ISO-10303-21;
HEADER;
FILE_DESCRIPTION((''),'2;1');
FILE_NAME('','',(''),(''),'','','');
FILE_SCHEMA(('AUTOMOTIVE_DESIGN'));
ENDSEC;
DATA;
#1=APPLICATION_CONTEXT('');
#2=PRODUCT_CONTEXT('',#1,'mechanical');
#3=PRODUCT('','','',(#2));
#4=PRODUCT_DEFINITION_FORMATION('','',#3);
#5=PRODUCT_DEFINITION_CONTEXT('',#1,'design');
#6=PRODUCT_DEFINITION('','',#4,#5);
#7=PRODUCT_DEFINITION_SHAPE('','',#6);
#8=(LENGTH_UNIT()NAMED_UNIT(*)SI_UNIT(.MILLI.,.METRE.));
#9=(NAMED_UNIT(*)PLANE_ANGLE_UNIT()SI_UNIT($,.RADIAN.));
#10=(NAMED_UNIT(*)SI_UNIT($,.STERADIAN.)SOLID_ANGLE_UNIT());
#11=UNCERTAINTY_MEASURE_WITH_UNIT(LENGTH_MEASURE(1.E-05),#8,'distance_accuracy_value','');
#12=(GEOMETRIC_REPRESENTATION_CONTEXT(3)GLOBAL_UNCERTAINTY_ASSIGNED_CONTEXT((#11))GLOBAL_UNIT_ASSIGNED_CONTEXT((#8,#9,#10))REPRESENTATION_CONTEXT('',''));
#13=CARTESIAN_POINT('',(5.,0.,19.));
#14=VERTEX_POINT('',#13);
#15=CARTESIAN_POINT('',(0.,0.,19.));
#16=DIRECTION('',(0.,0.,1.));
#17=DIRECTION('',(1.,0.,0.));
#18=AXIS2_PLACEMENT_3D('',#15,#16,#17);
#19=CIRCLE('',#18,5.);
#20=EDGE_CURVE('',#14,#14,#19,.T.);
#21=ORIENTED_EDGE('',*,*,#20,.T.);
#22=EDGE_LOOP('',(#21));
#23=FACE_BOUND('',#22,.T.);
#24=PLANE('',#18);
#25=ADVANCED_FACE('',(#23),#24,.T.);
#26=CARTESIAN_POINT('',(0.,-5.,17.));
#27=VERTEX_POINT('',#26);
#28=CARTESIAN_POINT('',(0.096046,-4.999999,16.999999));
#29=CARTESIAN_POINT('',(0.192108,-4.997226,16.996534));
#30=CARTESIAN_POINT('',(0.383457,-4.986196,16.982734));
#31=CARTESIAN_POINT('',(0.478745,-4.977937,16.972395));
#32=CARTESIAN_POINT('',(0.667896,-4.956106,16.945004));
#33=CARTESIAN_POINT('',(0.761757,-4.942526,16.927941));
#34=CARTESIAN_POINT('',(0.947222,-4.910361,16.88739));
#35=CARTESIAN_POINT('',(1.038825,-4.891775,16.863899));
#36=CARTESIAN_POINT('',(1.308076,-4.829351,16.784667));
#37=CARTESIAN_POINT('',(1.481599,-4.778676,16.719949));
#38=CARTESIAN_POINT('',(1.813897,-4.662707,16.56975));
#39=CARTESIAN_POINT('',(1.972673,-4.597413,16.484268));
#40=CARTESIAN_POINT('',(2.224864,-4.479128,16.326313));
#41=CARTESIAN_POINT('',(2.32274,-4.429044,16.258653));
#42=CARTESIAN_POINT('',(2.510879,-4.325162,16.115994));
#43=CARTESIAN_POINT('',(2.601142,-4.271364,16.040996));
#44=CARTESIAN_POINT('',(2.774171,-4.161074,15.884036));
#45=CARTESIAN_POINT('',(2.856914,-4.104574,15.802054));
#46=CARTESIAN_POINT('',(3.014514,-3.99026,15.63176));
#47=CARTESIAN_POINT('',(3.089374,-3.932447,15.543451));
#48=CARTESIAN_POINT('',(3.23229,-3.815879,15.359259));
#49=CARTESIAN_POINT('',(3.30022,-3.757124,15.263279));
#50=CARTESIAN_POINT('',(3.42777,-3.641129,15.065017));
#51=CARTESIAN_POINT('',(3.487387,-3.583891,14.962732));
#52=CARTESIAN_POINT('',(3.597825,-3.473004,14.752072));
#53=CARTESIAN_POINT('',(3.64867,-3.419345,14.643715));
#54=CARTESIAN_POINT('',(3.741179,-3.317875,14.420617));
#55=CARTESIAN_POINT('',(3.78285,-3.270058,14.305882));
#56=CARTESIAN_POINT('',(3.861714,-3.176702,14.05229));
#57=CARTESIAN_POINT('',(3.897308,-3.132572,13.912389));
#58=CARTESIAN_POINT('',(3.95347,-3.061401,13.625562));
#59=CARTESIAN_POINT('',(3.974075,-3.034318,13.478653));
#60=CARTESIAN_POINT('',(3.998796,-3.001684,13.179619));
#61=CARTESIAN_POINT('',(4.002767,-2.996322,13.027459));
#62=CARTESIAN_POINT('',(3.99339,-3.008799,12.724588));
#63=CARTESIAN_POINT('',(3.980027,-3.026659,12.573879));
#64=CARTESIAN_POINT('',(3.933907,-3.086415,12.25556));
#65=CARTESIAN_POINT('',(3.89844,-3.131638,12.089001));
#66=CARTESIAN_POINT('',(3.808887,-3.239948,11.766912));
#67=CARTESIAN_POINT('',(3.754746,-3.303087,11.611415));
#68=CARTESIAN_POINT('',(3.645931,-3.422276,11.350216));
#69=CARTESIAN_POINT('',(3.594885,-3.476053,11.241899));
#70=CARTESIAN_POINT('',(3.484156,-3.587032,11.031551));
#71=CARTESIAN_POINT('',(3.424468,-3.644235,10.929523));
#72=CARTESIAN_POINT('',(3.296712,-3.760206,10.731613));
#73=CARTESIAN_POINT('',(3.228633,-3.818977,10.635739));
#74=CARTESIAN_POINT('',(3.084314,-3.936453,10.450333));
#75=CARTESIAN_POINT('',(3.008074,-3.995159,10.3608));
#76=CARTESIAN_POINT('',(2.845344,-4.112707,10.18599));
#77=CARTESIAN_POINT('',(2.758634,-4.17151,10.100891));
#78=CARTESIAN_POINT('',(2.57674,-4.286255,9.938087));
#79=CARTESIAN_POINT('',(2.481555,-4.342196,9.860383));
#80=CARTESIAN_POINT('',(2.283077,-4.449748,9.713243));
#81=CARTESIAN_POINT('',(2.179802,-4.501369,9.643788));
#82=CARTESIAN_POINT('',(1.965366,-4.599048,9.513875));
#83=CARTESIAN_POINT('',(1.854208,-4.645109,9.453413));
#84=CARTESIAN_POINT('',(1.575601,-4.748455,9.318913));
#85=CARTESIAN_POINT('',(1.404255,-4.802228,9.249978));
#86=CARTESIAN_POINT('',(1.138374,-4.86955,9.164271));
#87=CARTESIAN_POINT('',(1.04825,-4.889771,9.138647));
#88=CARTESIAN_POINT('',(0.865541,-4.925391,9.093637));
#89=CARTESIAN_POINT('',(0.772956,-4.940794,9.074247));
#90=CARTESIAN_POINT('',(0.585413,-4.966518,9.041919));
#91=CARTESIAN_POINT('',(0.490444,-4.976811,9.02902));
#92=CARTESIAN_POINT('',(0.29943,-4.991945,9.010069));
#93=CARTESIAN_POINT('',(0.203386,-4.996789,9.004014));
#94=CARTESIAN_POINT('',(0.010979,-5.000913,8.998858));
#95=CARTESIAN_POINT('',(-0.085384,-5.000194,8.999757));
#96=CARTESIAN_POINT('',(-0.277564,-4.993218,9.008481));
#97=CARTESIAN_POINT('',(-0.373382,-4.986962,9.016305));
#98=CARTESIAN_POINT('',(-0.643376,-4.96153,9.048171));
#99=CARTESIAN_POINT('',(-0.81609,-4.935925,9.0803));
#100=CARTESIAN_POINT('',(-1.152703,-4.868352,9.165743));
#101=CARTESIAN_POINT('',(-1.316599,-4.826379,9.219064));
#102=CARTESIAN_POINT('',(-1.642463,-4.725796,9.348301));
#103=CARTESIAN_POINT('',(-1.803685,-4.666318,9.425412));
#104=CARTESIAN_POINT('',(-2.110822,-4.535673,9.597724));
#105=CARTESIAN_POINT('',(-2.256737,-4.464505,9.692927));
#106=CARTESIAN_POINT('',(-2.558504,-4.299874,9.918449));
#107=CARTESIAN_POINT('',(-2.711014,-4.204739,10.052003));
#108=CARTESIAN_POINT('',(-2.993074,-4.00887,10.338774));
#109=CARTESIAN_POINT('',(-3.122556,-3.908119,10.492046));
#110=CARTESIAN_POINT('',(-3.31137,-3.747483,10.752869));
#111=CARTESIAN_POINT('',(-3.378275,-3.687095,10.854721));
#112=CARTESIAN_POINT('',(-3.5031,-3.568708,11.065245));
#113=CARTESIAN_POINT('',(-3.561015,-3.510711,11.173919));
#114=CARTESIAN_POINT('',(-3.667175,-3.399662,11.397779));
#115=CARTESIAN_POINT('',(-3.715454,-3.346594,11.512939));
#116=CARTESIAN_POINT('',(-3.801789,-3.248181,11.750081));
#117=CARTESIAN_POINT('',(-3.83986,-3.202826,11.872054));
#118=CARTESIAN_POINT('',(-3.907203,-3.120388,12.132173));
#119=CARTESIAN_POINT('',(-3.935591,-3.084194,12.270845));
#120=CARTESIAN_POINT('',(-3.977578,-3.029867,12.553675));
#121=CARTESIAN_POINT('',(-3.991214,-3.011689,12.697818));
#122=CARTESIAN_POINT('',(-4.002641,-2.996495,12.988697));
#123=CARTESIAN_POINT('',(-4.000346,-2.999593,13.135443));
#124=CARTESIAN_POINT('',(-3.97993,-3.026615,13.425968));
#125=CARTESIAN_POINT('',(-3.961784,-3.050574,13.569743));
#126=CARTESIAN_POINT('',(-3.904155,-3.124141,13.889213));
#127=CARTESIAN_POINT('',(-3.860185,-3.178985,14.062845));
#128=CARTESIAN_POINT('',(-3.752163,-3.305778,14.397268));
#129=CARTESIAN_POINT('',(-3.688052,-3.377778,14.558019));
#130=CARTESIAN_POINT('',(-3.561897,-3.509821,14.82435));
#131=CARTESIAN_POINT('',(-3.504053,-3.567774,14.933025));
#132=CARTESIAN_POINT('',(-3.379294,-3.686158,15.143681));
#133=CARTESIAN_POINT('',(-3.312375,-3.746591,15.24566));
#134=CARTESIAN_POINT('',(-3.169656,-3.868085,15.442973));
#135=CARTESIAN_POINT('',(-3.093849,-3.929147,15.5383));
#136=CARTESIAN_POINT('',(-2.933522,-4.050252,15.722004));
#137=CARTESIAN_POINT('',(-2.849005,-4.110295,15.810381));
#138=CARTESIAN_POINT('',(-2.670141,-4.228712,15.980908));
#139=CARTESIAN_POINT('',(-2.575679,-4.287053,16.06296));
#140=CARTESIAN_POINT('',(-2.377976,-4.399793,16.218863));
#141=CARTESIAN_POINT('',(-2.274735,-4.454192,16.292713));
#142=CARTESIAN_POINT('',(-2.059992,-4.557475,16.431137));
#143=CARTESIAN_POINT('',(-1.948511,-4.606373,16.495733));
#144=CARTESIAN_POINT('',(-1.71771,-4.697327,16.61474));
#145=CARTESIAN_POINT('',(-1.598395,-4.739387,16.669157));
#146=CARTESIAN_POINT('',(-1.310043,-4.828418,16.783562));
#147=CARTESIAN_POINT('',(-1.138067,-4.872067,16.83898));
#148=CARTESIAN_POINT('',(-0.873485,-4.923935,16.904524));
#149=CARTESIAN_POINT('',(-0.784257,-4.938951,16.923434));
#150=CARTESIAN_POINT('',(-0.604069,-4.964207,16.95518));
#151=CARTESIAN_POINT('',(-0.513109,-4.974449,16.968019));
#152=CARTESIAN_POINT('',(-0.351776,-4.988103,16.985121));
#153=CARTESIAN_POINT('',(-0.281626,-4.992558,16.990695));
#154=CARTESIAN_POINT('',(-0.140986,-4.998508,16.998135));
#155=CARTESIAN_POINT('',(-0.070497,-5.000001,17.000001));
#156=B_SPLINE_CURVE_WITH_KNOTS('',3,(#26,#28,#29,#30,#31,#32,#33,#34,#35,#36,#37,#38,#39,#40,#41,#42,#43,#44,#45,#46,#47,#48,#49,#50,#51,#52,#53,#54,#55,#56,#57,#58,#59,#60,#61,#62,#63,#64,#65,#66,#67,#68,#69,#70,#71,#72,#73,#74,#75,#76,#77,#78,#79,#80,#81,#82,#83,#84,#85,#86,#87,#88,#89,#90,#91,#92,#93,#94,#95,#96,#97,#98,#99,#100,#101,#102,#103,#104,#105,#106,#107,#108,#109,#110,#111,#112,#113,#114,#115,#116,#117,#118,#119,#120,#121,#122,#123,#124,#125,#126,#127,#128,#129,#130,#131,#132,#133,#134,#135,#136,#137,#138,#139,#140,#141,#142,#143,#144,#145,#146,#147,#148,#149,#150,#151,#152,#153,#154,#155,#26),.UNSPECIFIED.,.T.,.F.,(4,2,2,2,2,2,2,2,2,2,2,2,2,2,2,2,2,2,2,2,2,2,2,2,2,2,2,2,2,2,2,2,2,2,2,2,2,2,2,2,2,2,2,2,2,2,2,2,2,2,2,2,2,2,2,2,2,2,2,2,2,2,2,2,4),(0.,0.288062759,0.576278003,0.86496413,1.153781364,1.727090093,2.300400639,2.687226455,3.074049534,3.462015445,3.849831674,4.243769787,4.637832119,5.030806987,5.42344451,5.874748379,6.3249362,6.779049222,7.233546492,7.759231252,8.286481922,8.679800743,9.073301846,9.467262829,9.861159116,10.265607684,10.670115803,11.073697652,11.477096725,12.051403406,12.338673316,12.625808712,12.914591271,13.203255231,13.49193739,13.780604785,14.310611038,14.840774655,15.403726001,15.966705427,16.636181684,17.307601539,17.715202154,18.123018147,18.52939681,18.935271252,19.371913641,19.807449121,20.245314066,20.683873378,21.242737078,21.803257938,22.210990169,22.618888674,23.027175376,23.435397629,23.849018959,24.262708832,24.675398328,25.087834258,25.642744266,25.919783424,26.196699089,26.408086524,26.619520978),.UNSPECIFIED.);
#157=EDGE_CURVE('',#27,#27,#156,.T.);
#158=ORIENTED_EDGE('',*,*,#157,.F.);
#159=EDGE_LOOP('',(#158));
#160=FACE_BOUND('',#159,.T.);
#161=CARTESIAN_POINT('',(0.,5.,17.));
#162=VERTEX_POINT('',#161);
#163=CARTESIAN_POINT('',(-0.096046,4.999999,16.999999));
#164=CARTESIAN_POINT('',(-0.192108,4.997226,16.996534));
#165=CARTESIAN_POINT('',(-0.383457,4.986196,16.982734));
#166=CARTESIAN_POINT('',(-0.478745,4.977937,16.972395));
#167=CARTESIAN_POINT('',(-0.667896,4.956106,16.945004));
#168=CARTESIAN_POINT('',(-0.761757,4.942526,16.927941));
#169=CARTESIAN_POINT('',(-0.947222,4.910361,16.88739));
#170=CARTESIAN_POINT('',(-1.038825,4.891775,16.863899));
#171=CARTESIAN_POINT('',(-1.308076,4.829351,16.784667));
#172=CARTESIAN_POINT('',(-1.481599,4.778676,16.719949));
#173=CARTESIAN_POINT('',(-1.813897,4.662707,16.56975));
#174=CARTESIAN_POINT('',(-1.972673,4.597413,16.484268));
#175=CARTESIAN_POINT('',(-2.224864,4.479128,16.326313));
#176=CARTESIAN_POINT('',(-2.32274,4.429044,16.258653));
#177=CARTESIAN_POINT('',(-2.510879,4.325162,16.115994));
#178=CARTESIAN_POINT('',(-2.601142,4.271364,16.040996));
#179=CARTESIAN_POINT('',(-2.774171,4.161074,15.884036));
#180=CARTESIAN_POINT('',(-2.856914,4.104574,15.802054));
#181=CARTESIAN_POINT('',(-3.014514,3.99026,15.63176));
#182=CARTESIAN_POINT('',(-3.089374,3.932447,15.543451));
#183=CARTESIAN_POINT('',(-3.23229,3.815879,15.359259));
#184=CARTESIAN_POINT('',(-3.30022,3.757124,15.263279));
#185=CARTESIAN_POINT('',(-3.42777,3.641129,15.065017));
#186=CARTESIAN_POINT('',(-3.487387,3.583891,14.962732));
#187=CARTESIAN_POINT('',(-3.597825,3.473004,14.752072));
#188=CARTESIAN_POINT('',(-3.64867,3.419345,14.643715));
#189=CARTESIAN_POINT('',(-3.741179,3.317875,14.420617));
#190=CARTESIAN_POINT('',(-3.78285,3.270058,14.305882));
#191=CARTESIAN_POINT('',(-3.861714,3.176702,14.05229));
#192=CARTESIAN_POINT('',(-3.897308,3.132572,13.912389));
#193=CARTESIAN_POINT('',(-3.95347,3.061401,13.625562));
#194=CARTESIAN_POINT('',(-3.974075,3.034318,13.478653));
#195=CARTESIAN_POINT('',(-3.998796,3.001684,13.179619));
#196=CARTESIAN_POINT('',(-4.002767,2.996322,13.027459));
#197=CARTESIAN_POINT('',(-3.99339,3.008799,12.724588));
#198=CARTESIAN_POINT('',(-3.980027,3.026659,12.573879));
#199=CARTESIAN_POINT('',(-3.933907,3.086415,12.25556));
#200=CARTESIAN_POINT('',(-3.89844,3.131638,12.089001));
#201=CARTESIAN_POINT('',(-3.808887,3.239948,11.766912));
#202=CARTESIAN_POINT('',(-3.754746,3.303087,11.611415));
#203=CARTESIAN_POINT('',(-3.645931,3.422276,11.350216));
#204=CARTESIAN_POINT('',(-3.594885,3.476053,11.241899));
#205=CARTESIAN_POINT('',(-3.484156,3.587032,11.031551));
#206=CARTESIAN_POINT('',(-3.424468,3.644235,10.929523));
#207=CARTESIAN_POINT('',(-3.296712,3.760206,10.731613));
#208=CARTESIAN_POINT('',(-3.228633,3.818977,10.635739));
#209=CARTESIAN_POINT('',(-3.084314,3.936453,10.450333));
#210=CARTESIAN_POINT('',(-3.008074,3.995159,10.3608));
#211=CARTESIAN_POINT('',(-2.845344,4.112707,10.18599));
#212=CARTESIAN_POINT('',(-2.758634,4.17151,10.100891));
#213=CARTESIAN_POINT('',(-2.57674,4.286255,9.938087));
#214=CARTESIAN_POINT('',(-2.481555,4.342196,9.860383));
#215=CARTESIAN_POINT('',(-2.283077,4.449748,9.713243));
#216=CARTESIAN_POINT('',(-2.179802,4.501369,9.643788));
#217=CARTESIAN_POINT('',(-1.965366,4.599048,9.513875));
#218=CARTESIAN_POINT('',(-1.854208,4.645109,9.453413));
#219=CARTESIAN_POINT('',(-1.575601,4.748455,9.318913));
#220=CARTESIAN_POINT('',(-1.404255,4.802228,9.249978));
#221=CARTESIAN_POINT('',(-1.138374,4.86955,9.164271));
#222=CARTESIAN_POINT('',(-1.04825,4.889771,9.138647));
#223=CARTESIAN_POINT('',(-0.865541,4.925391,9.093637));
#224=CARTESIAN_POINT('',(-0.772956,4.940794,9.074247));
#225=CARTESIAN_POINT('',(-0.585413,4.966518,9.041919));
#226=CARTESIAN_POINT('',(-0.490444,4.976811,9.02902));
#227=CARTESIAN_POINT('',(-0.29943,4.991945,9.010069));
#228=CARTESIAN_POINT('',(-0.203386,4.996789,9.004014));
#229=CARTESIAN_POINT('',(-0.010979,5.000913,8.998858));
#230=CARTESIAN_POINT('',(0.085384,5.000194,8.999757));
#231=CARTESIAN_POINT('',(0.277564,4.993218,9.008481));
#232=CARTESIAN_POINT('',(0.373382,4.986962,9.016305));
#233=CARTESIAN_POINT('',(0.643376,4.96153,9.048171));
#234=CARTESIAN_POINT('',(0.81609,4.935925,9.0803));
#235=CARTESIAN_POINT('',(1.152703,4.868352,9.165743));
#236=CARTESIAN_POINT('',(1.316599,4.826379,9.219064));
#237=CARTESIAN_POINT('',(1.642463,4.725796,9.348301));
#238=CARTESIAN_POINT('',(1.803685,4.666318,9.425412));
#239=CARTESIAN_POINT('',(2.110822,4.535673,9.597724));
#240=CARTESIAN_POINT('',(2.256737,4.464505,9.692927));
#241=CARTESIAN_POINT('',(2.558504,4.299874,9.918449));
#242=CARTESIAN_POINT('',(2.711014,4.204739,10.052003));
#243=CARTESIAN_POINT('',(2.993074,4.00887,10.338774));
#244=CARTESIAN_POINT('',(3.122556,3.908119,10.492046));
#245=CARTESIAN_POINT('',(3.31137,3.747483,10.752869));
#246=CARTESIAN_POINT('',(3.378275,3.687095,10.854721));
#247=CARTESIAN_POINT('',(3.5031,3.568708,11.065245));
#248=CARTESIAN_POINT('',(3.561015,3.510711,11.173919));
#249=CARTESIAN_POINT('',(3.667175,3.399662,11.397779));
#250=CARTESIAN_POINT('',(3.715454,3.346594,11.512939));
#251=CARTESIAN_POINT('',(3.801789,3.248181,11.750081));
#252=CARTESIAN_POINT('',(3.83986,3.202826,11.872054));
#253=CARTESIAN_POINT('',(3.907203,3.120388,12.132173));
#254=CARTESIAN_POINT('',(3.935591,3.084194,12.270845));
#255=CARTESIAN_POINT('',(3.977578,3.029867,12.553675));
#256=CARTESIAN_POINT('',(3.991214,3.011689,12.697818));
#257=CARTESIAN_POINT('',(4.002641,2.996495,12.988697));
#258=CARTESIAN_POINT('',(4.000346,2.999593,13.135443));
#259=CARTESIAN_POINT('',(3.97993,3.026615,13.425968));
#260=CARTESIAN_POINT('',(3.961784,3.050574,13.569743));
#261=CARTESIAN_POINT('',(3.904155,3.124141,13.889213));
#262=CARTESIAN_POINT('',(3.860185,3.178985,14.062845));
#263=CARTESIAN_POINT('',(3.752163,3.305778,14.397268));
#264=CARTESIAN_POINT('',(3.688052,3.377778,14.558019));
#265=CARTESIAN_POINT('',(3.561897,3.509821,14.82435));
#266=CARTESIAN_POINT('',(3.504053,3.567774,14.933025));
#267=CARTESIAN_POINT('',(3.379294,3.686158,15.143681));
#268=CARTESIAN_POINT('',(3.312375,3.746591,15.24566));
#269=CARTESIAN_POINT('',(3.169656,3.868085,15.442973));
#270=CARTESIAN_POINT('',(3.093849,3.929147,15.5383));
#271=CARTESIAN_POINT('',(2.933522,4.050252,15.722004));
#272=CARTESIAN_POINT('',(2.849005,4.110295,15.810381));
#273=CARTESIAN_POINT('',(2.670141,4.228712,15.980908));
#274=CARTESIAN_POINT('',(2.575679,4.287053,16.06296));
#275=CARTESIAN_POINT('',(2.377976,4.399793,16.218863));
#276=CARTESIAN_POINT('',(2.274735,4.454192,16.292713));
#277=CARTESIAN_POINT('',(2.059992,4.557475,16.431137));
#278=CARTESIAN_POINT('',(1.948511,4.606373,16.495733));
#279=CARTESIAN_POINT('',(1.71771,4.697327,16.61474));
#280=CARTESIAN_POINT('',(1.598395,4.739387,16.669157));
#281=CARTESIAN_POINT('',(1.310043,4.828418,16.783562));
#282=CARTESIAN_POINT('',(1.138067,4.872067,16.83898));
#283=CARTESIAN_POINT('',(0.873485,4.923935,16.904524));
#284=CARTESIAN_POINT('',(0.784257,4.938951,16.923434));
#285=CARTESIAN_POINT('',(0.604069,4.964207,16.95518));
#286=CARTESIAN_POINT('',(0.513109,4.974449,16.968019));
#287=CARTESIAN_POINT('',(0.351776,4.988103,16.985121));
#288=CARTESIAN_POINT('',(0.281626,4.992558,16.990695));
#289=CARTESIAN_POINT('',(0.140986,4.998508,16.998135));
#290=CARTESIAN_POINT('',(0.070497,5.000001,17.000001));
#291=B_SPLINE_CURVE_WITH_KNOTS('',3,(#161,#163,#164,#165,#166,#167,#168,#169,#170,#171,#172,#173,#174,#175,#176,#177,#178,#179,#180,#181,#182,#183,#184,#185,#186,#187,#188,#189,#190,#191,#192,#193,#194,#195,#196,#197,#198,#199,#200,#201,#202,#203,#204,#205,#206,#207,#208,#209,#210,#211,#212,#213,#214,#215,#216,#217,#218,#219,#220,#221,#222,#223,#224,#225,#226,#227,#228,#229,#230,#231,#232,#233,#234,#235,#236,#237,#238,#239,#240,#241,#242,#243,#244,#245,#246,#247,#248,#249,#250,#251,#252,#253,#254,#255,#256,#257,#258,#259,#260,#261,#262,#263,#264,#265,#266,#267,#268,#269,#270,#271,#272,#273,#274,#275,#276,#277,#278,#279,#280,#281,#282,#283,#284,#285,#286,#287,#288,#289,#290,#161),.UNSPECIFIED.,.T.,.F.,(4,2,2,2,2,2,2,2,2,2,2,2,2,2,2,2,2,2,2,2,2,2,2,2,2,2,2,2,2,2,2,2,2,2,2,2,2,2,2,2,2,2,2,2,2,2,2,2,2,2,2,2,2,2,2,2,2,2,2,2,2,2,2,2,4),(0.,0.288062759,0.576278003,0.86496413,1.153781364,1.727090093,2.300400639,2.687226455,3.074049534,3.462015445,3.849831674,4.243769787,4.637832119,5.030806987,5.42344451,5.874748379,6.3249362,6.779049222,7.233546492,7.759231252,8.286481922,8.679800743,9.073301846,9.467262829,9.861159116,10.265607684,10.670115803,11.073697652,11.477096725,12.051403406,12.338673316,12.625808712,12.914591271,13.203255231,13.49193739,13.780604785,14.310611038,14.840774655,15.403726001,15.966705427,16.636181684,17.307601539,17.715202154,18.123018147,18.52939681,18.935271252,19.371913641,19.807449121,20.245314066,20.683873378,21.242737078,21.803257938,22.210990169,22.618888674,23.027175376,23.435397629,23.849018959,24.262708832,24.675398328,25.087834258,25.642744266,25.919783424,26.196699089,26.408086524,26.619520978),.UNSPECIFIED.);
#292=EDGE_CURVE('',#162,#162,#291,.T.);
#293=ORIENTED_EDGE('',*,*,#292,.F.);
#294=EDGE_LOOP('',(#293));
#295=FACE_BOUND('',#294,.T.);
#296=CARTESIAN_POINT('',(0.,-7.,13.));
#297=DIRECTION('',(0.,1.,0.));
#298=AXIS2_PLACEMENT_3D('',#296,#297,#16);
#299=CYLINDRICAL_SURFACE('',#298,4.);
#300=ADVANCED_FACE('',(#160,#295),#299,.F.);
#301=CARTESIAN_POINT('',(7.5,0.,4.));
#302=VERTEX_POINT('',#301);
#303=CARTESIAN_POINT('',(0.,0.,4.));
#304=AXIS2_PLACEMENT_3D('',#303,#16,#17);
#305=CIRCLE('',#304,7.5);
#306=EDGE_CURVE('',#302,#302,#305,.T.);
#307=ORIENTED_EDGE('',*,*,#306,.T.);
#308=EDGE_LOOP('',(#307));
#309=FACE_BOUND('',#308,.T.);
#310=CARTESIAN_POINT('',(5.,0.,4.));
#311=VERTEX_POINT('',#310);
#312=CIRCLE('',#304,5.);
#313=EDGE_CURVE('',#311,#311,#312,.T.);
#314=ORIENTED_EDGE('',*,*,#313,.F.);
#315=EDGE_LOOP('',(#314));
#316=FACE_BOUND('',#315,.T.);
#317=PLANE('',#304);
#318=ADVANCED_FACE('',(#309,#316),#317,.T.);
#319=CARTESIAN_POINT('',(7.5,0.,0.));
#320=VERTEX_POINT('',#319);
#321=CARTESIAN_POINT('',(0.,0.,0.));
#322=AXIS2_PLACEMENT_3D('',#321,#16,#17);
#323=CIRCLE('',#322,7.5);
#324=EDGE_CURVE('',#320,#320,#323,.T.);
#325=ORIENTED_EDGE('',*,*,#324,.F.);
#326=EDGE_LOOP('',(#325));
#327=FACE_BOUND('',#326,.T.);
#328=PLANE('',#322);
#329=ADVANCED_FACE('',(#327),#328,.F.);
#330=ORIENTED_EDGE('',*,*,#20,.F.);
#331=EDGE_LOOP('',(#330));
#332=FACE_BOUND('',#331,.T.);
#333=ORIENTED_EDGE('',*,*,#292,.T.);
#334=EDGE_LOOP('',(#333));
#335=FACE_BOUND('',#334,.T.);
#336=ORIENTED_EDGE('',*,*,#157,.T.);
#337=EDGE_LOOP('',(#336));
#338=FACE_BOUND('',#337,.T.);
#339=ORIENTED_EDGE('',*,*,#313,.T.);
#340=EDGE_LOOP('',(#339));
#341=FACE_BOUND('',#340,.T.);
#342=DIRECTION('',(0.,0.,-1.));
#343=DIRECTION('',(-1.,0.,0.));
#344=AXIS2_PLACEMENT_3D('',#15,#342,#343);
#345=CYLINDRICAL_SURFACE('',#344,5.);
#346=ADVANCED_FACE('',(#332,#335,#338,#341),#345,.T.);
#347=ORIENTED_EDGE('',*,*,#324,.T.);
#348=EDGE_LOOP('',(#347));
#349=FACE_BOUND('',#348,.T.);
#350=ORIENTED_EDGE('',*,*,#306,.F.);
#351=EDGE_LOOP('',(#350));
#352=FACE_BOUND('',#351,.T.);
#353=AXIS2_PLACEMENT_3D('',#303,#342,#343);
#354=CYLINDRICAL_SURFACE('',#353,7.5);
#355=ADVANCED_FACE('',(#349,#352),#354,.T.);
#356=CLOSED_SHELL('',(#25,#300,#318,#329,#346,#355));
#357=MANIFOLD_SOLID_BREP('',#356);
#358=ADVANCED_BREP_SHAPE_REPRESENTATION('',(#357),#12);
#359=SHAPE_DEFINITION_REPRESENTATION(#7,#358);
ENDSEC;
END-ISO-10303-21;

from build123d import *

# Parameters (mm, degrees)
SKETCH1_R           = 7.5
BOSS_EXTRUDE1_DEPTH = 4
SKETCH2_R           = 5
BOSS_EXTRUDE2_DEPTH = 15
SKETCH3_R           = 4
CUT_EXTRUDE1_DEPTH  = 7


with BuildPart() as part:
    # Sketch1 → Boss-Extrude1 (new body)
    with BuildSketch(Plane.XY):
        Circle(SKETCH1_R)
    extrude(amount=BOSS_EXTRUDE1_DEPTH)

    # Sketch2 → Boss-Extrude2 (add)
    with BuildSketch(Plane.XY.offset(4)):
        Circle(SKETCH2_R)
    extrude(amount=BOSS_EXTRUDE2_DEPTH)

    # Sketch3 → Cut-Extrude1 (cut, symmetric)
    with BuildSketch(Plane(origin=(0, 0, 0), x_dir=(1, 0, 0), z_dir=(0, 1, 0))):
        with Locations((0, -13)):
            Circle(SKETCH3_R)
    extrude(amount=CUT_EXTRUDE1_DEPTH, both=True, mode=Mode.SUBTRACT)


solid = part.part
